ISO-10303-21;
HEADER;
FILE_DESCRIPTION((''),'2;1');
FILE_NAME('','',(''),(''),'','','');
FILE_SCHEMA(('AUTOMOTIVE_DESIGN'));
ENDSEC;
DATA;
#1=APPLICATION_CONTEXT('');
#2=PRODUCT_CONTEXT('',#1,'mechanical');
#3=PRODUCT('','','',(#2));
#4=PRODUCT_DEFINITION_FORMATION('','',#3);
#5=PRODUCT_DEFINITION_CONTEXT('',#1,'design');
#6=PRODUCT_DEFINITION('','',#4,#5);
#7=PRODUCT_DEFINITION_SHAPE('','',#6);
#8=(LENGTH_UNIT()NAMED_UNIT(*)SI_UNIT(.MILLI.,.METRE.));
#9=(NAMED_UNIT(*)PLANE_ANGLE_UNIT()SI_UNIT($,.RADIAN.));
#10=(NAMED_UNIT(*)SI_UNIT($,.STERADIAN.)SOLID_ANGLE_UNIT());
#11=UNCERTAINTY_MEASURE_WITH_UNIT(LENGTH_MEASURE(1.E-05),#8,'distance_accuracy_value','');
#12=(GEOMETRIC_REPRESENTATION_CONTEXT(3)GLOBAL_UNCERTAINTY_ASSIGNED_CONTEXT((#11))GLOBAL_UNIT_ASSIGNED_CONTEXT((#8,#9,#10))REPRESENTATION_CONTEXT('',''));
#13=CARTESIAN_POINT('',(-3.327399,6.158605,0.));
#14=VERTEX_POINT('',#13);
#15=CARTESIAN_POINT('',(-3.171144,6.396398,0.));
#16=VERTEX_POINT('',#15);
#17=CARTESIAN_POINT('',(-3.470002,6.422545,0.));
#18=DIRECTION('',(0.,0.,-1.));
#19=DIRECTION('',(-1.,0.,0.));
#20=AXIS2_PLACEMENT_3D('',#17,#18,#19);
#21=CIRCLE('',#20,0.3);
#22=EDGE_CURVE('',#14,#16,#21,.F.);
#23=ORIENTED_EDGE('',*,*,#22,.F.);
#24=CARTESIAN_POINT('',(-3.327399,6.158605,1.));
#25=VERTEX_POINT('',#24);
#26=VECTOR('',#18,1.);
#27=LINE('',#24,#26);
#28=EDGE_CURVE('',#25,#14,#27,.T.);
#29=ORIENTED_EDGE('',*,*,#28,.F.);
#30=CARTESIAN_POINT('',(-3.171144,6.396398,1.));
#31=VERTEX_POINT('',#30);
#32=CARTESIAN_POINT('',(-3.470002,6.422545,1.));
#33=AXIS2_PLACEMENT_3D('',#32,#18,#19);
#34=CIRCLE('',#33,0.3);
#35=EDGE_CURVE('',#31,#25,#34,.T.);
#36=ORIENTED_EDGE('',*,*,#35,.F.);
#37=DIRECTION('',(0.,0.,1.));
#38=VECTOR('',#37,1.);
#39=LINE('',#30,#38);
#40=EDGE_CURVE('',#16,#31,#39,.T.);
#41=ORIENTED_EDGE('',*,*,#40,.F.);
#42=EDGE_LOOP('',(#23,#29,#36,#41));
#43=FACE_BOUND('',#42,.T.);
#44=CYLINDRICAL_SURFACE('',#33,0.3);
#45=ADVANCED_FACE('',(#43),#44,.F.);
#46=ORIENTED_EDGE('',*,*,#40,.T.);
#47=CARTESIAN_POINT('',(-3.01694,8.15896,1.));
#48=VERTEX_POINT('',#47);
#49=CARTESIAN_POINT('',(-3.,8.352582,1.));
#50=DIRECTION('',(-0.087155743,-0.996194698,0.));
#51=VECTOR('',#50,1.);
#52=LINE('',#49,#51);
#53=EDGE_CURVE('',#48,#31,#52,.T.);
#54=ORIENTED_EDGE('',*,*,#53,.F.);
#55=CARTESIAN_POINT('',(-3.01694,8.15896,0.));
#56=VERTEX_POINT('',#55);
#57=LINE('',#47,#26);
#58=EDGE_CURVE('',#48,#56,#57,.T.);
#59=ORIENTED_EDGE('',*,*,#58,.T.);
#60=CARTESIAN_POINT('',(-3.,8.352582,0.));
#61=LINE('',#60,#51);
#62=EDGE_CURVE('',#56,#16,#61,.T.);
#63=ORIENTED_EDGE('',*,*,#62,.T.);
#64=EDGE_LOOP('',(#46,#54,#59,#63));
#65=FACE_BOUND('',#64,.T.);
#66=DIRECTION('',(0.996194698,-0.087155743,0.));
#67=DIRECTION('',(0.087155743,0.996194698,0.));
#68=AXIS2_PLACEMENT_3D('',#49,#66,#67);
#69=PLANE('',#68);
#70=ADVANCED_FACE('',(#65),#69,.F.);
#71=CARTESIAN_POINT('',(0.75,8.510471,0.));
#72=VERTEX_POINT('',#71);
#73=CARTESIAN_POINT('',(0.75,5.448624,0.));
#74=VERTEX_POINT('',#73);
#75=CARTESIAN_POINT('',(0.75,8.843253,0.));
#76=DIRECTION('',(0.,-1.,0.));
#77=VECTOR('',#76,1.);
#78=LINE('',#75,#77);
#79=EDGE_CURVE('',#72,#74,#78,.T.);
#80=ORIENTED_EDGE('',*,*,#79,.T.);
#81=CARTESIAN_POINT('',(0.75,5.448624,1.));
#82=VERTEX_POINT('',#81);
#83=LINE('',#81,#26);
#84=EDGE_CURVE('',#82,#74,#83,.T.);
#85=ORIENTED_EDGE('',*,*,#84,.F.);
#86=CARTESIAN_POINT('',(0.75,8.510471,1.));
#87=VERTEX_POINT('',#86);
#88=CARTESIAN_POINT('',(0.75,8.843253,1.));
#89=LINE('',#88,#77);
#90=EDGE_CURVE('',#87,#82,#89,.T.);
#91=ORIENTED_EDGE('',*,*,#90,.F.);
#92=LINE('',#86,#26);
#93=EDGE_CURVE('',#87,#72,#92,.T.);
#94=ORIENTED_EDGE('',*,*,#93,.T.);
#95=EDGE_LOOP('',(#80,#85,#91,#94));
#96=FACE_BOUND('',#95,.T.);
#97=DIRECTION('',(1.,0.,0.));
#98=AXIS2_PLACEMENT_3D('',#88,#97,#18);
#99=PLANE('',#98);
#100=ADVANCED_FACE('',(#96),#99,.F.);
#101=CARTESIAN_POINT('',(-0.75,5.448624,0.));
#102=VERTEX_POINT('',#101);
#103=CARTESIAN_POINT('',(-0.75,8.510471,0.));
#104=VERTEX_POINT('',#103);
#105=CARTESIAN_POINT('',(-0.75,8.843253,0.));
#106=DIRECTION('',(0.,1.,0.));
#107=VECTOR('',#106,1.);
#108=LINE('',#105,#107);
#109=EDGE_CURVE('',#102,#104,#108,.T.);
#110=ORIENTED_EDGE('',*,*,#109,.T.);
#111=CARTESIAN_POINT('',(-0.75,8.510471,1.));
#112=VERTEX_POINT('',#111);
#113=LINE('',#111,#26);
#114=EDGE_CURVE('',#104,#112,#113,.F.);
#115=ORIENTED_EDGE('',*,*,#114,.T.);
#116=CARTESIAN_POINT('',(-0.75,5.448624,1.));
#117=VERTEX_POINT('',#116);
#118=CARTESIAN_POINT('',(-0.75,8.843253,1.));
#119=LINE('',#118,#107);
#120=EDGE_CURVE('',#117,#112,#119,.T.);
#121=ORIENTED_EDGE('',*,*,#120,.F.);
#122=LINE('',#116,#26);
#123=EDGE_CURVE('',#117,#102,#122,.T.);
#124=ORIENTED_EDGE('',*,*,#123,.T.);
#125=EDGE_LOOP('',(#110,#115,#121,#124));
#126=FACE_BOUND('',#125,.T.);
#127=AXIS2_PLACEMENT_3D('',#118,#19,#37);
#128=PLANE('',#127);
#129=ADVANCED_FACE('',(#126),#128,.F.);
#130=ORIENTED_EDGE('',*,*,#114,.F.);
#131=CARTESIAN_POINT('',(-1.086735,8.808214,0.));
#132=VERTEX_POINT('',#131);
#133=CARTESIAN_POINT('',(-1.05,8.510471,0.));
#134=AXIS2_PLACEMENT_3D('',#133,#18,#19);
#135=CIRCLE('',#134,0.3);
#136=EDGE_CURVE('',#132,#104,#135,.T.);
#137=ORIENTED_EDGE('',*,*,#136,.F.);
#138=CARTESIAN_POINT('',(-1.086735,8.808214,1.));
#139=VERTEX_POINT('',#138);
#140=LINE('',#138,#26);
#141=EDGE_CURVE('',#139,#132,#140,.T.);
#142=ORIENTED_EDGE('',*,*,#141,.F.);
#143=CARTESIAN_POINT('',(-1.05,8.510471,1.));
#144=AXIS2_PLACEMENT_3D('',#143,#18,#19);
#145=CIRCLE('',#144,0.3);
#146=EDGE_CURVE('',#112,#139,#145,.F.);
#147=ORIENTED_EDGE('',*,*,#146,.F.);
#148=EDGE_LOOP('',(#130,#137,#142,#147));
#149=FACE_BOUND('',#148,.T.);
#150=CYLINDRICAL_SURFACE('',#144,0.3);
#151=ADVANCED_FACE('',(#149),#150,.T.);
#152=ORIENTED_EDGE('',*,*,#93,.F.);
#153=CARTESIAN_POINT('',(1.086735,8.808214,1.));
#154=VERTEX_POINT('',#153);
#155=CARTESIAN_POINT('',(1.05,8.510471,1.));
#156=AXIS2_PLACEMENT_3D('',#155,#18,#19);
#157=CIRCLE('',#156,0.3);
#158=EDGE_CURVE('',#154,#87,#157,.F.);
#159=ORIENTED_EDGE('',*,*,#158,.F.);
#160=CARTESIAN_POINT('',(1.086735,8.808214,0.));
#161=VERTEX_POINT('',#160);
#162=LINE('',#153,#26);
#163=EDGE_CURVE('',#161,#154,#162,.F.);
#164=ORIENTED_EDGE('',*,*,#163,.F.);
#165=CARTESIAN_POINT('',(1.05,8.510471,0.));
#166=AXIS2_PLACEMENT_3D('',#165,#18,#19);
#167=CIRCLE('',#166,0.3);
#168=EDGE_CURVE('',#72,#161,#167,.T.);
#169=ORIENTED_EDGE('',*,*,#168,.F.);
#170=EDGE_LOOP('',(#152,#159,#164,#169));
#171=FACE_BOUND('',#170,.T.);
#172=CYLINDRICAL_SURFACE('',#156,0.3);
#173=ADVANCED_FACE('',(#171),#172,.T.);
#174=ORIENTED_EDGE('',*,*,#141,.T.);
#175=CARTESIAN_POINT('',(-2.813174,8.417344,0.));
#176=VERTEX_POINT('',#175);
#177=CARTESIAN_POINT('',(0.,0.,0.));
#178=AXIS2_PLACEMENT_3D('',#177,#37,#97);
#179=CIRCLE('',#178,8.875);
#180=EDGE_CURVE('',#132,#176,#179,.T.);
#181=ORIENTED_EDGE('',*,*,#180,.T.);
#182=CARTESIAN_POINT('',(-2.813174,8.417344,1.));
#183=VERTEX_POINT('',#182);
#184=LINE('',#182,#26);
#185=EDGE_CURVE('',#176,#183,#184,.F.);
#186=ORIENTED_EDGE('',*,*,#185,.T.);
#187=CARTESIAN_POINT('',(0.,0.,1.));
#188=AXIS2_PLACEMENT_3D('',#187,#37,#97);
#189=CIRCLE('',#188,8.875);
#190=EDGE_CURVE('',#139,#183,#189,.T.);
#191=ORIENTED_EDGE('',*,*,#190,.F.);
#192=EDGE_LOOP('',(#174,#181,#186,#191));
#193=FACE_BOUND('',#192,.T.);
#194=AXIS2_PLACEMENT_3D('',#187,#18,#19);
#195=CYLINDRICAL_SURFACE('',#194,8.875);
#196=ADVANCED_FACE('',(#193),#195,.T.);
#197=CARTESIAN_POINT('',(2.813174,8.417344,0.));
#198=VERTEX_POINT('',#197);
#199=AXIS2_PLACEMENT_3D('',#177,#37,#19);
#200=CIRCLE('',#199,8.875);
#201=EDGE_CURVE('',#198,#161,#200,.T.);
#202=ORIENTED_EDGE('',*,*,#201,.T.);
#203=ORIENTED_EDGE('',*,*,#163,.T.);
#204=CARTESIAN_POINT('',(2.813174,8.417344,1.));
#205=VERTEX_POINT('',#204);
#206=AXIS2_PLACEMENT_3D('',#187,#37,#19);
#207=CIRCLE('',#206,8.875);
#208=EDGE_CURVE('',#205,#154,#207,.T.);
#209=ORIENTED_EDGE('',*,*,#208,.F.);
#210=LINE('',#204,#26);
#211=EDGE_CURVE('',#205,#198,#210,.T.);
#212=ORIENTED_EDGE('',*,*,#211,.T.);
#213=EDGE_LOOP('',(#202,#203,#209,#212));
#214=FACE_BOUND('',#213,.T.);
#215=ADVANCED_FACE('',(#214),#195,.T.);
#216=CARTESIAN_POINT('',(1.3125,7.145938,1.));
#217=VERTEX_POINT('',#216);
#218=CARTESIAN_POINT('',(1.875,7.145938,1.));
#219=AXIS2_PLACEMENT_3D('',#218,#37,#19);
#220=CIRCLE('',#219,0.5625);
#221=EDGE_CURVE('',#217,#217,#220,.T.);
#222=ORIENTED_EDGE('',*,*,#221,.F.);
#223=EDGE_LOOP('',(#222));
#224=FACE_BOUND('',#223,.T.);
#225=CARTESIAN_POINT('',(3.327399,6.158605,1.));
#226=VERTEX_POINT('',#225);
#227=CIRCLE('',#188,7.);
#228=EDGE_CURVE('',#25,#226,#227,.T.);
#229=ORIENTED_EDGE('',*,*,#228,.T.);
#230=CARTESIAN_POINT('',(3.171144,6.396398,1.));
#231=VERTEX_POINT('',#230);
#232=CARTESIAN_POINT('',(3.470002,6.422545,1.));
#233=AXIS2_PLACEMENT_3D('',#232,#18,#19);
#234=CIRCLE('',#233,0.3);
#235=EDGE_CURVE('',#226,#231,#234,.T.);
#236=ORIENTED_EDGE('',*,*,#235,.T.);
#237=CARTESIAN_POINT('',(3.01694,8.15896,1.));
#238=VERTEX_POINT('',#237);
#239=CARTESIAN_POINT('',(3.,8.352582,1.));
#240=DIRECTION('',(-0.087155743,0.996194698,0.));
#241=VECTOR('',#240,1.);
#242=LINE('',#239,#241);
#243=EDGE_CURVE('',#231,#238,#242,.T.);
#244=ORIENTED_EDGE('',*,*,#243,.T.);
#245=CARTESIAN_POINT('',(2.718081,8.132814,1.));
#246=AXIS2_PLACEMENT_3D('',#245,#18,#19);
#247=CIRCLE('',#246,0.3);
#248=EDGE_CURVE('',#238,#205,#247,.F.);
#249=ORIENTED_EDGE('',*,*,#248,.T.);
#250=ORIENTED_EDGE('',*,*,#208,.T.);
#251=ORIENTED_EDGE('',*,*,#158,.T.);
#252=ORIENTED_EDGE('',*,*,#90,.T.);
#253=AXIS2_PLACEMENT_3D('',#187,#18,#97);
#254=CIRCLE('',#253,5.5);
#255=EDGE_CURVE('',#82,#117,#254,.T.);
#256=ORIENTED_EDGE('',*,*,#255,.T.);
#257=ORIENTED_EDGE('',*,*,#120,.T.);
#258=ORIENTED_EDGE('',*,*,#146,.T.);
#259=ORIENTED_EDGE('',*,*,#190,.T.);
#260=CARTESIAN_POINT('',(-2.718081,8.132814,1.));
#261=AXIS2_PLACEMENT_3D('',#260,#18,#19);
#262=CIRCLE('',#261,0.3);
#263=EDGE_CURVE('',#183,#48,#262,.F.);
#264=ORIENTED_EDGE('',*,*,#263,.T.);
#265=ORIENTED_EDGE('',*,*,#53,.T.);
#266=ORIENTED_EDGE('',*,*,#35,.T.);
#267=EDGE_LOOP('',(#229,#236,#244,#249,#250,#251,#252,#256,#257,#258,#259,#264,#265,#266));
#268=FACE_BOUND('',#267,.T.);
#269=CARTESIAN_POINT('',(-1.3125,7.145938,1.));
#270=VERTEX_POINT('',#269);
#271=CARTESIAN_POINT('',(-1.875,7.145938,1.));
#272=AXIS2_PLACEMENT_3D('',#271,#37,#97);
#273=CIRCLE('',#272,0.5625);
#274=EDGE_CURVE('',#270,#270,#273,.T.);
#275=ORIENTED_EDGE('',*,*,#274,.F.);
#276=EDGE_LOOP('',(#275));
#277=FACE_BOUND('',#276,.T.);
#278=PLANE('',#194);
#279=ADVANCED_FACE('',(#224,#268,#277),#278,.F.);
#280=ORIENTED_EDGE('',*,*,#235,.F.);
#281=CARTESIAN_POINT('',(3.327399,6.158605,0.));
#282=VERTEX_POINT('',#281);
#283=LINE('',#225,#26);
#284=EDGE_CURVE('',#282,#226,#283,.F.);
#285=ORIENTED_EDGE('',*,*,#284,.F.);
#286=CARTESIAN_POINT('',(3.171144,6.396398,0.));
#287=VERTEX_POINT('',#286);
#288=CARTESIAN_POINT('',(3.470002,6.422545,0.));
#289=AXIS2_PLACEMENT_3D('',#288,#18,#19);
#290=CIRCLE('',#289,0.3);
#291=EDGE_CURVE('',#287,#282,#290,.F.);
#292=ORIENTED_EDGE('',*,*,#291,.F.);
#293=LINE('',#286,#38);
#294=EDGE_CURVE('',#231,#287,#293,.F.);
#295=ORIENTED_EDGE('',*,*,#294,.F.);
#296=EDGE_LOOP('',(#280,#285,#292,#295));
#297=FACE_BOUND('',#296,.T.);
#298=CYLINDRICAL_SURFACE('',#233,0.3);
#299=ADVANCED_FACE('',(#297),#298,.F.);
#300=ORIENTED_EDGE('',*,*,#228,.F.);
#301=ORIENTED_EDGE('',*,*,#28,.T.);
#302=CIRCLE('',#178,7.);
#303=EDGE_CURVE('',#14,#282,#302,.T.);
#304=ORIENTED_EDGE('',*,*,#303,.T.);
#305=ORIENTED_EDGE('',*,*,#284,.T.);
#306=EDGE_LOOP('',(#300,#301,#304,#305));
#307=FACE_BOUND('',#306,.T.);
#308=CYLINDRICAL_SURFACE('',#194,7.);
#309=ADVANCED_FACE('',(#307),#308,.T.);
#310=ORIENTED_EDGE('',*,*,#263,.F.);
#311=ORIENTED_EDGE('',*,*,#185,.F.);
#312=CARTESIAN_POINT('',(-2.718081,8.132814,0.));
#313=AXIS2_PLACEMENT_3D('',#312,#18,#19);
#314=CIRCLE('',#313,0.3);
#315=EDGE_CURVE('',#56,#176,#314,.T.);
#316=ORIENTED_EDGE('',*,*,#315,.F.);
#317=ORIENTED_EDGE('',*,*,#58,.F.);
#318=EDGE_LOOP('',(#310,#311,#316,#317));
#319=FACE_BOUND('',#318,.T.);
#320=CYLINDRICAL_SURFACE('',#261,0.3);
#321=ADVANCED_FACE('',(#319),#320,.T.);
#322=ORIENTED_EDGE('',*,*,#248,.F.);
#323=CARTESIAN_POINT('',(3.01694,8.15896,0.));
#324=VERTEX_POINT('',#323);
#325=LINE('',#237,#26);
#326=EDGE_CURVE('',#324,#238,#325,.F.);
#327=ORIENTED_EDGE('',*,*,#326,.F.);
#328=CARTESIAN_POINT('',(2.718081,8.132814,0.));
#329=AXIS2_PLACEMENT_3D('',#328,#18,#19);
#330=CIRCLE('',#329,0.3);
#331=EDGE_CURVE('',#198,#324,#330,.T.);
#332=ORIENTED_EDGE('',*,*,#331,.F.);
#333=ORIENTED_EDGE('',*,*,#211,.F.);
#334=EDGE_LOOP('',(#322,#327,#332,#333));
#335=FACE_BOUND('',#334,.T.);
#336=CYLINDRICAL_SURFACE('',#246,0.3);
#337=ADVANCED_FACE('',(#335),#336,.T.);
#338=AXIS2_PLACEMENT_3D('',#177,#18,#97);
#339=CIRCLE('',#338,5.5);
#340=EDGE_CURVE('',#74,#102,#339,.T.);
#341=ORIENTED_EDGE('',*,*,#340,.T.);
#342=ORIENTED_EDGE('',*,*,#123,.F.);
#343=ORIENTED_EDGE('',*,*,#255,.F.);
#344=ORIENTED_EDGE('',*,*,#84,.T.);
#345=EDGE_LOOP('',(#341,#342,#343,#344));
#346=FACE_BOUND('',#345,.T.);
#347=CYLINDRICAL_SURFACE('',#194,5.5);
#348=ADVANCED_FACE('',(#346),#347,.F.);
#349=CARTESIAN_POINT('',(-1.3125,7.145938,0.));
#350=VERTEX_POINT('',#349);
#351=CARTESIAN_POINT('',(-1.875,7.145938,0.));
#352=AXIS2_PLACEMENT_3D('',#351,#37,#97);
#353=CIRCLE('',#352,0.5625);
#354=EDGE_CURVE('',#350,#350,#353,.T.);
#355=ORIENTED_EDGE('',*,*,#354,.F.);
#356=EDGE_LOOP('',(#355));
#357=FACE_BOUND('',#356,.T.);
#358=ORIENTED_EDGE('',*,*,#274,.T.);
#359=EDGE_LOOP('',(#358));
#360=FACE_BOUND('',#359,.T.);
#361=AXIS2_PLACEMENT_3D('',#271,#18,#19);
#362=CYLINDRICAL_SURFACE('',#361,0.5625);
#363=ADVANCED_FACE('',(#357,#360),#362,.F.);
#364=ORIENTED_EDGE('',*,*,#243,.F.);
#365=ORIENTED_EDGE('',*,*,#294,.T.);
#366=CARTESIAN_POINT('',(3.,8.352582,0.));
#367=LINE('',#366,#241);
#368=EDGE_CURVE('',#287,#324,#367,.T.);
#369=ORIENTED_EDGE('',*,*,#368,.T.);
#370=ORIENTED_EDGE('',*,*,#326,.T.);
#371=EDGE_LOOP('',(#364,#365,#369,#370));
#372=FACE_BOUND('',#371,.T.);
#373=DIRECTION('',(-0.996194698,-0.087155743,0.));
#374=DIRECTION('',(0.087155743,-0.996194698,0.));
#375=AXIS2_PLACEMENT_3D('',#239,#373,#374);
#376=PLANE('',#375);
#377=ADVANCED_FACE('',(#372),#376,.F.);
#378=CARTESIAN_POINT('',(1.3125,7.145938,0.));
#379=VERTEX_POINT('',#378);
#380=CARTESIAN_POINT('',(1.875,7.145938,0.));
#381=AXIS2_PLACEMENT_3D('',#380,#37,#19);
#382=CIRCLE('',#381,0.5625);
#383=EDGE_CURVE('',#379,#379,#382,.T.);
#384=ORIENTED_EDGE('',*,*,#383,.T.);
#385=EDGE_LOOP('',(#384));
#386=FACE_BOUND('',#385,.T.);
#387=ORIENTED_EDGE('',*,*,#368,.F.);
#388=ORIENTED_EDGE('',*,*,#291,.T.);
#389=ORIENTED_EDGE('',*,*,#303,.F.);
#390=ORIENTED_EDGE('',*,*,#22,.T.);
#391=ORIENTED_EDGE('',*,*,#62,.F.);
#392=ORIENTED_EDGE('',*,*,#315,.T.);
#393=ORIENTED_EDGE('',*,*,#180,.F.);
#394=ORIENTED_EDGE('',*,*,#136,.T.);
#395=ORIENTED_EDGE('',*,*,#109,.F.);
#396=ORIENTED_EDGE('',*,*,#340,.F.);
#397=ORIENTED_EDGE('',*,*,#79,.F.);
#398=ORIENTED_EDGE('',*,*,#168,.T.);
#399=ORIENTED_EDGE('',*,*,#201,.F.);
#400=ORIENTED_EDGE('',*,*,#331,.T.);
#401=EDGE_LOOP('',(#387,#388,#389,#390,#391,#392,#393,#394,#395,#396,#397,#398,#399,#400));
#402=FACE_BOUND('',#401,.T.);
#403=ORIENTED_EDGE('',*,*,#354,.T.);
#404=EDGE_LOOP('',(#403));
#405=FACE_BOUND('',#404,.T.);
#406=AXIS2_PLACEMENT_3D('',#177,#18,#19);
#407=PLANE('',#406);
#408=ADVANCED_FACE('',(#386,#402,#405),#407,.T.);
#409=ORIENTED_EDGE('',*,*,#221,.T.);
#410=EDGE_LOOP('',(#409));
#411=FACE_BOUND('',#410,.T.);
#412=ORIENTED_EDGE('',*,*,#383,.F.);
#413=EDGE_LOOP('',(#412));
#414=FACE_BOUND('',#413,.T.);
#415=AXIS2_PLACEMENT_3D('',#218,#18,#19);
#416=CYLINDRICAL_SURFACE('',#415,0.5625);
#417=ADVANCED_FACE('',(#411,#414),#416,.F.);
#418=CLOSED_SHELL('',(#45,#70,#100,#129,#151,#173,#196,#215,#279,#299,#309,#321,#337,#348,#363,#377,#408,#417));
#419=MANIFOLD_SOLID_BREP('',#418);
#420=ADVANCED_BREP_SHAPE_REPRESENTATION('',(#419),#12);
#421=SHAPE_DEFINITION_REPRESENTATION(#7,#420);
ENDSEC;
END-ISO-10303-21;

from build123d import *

# Parameters (mm, degrees)
SKETCH_1_R      = 0.5625
EXTRUDE_1_DEPTH = 1
FILLET_1_R      = 0.3
FILLET_2_R      = 0.3


with BuildPart() as part:
    # 草图1 → 凸台-拉伸1 (new body)
    with BuildSketch(Plane.XY):
        with BuildLine():
            Line((-0.75, 8.843253078), (-0.75, 5.448623679))
            ThreePointArc((-0.75, 5.448623679), (0, -5.5), (0.75, 5.448623679))
            Line((0.75, 5.448623679), (0.75, 8.843253078))
            ThreePointArc((0.75, 8.843253078), (1.890982428, 8.671205825), (3, 8.352581936))
            Line((3, 8.352581936), (3.185419652, 6.233225621))
            ThreePointArc((3.185419652, 6.233225621), (0, -7), (-3.185419652, 6.233225621))
            Line((-3.185419652, 6.233225621), (-3, 8.352581936))
            ThreePointArc((-3, 8.352581936), (-1.890982428, 8.671205825), (-0.75, 8.843253078))
        make_face()
        with Locations((-1.875, 7.145938379)):
            Circle(SKETCH_1_R, mode=Mode.SUBTRACT)
        with Locations(Location((1.875, 7.145938379, 0), (0, 0, 180))):
            Circle(SKETCH_1_R, mode=Mode.SUBTRACT)
    extrude(amount=EXTRUDE_1_DEPTH)

    # 圆角1
    fillet_1_edges = [part.edges().sort_by_distance(p)[0] for p in [
        (3, 8.352581936, 0.5),
        (-3, 8.352581936, 0.5),
    ]]
    fillet(fillet_1_edges, radius=FILLET_1_R)

    # 圆角2
    fillet_2_edges = [part.edges().sort_by_distance(p)[0] for p in [
        (3.185419652, 6.233225621, 0.5),
        (-3.185419652, 6.233225621, 0.5),
        (-0.75, 8.843253078, 0.5),
        (0.75, 8.843253078, 0.5),
    ]]
    fillet(fillet_2_edges, radius=FILLET_2_R)


solid = part.part
